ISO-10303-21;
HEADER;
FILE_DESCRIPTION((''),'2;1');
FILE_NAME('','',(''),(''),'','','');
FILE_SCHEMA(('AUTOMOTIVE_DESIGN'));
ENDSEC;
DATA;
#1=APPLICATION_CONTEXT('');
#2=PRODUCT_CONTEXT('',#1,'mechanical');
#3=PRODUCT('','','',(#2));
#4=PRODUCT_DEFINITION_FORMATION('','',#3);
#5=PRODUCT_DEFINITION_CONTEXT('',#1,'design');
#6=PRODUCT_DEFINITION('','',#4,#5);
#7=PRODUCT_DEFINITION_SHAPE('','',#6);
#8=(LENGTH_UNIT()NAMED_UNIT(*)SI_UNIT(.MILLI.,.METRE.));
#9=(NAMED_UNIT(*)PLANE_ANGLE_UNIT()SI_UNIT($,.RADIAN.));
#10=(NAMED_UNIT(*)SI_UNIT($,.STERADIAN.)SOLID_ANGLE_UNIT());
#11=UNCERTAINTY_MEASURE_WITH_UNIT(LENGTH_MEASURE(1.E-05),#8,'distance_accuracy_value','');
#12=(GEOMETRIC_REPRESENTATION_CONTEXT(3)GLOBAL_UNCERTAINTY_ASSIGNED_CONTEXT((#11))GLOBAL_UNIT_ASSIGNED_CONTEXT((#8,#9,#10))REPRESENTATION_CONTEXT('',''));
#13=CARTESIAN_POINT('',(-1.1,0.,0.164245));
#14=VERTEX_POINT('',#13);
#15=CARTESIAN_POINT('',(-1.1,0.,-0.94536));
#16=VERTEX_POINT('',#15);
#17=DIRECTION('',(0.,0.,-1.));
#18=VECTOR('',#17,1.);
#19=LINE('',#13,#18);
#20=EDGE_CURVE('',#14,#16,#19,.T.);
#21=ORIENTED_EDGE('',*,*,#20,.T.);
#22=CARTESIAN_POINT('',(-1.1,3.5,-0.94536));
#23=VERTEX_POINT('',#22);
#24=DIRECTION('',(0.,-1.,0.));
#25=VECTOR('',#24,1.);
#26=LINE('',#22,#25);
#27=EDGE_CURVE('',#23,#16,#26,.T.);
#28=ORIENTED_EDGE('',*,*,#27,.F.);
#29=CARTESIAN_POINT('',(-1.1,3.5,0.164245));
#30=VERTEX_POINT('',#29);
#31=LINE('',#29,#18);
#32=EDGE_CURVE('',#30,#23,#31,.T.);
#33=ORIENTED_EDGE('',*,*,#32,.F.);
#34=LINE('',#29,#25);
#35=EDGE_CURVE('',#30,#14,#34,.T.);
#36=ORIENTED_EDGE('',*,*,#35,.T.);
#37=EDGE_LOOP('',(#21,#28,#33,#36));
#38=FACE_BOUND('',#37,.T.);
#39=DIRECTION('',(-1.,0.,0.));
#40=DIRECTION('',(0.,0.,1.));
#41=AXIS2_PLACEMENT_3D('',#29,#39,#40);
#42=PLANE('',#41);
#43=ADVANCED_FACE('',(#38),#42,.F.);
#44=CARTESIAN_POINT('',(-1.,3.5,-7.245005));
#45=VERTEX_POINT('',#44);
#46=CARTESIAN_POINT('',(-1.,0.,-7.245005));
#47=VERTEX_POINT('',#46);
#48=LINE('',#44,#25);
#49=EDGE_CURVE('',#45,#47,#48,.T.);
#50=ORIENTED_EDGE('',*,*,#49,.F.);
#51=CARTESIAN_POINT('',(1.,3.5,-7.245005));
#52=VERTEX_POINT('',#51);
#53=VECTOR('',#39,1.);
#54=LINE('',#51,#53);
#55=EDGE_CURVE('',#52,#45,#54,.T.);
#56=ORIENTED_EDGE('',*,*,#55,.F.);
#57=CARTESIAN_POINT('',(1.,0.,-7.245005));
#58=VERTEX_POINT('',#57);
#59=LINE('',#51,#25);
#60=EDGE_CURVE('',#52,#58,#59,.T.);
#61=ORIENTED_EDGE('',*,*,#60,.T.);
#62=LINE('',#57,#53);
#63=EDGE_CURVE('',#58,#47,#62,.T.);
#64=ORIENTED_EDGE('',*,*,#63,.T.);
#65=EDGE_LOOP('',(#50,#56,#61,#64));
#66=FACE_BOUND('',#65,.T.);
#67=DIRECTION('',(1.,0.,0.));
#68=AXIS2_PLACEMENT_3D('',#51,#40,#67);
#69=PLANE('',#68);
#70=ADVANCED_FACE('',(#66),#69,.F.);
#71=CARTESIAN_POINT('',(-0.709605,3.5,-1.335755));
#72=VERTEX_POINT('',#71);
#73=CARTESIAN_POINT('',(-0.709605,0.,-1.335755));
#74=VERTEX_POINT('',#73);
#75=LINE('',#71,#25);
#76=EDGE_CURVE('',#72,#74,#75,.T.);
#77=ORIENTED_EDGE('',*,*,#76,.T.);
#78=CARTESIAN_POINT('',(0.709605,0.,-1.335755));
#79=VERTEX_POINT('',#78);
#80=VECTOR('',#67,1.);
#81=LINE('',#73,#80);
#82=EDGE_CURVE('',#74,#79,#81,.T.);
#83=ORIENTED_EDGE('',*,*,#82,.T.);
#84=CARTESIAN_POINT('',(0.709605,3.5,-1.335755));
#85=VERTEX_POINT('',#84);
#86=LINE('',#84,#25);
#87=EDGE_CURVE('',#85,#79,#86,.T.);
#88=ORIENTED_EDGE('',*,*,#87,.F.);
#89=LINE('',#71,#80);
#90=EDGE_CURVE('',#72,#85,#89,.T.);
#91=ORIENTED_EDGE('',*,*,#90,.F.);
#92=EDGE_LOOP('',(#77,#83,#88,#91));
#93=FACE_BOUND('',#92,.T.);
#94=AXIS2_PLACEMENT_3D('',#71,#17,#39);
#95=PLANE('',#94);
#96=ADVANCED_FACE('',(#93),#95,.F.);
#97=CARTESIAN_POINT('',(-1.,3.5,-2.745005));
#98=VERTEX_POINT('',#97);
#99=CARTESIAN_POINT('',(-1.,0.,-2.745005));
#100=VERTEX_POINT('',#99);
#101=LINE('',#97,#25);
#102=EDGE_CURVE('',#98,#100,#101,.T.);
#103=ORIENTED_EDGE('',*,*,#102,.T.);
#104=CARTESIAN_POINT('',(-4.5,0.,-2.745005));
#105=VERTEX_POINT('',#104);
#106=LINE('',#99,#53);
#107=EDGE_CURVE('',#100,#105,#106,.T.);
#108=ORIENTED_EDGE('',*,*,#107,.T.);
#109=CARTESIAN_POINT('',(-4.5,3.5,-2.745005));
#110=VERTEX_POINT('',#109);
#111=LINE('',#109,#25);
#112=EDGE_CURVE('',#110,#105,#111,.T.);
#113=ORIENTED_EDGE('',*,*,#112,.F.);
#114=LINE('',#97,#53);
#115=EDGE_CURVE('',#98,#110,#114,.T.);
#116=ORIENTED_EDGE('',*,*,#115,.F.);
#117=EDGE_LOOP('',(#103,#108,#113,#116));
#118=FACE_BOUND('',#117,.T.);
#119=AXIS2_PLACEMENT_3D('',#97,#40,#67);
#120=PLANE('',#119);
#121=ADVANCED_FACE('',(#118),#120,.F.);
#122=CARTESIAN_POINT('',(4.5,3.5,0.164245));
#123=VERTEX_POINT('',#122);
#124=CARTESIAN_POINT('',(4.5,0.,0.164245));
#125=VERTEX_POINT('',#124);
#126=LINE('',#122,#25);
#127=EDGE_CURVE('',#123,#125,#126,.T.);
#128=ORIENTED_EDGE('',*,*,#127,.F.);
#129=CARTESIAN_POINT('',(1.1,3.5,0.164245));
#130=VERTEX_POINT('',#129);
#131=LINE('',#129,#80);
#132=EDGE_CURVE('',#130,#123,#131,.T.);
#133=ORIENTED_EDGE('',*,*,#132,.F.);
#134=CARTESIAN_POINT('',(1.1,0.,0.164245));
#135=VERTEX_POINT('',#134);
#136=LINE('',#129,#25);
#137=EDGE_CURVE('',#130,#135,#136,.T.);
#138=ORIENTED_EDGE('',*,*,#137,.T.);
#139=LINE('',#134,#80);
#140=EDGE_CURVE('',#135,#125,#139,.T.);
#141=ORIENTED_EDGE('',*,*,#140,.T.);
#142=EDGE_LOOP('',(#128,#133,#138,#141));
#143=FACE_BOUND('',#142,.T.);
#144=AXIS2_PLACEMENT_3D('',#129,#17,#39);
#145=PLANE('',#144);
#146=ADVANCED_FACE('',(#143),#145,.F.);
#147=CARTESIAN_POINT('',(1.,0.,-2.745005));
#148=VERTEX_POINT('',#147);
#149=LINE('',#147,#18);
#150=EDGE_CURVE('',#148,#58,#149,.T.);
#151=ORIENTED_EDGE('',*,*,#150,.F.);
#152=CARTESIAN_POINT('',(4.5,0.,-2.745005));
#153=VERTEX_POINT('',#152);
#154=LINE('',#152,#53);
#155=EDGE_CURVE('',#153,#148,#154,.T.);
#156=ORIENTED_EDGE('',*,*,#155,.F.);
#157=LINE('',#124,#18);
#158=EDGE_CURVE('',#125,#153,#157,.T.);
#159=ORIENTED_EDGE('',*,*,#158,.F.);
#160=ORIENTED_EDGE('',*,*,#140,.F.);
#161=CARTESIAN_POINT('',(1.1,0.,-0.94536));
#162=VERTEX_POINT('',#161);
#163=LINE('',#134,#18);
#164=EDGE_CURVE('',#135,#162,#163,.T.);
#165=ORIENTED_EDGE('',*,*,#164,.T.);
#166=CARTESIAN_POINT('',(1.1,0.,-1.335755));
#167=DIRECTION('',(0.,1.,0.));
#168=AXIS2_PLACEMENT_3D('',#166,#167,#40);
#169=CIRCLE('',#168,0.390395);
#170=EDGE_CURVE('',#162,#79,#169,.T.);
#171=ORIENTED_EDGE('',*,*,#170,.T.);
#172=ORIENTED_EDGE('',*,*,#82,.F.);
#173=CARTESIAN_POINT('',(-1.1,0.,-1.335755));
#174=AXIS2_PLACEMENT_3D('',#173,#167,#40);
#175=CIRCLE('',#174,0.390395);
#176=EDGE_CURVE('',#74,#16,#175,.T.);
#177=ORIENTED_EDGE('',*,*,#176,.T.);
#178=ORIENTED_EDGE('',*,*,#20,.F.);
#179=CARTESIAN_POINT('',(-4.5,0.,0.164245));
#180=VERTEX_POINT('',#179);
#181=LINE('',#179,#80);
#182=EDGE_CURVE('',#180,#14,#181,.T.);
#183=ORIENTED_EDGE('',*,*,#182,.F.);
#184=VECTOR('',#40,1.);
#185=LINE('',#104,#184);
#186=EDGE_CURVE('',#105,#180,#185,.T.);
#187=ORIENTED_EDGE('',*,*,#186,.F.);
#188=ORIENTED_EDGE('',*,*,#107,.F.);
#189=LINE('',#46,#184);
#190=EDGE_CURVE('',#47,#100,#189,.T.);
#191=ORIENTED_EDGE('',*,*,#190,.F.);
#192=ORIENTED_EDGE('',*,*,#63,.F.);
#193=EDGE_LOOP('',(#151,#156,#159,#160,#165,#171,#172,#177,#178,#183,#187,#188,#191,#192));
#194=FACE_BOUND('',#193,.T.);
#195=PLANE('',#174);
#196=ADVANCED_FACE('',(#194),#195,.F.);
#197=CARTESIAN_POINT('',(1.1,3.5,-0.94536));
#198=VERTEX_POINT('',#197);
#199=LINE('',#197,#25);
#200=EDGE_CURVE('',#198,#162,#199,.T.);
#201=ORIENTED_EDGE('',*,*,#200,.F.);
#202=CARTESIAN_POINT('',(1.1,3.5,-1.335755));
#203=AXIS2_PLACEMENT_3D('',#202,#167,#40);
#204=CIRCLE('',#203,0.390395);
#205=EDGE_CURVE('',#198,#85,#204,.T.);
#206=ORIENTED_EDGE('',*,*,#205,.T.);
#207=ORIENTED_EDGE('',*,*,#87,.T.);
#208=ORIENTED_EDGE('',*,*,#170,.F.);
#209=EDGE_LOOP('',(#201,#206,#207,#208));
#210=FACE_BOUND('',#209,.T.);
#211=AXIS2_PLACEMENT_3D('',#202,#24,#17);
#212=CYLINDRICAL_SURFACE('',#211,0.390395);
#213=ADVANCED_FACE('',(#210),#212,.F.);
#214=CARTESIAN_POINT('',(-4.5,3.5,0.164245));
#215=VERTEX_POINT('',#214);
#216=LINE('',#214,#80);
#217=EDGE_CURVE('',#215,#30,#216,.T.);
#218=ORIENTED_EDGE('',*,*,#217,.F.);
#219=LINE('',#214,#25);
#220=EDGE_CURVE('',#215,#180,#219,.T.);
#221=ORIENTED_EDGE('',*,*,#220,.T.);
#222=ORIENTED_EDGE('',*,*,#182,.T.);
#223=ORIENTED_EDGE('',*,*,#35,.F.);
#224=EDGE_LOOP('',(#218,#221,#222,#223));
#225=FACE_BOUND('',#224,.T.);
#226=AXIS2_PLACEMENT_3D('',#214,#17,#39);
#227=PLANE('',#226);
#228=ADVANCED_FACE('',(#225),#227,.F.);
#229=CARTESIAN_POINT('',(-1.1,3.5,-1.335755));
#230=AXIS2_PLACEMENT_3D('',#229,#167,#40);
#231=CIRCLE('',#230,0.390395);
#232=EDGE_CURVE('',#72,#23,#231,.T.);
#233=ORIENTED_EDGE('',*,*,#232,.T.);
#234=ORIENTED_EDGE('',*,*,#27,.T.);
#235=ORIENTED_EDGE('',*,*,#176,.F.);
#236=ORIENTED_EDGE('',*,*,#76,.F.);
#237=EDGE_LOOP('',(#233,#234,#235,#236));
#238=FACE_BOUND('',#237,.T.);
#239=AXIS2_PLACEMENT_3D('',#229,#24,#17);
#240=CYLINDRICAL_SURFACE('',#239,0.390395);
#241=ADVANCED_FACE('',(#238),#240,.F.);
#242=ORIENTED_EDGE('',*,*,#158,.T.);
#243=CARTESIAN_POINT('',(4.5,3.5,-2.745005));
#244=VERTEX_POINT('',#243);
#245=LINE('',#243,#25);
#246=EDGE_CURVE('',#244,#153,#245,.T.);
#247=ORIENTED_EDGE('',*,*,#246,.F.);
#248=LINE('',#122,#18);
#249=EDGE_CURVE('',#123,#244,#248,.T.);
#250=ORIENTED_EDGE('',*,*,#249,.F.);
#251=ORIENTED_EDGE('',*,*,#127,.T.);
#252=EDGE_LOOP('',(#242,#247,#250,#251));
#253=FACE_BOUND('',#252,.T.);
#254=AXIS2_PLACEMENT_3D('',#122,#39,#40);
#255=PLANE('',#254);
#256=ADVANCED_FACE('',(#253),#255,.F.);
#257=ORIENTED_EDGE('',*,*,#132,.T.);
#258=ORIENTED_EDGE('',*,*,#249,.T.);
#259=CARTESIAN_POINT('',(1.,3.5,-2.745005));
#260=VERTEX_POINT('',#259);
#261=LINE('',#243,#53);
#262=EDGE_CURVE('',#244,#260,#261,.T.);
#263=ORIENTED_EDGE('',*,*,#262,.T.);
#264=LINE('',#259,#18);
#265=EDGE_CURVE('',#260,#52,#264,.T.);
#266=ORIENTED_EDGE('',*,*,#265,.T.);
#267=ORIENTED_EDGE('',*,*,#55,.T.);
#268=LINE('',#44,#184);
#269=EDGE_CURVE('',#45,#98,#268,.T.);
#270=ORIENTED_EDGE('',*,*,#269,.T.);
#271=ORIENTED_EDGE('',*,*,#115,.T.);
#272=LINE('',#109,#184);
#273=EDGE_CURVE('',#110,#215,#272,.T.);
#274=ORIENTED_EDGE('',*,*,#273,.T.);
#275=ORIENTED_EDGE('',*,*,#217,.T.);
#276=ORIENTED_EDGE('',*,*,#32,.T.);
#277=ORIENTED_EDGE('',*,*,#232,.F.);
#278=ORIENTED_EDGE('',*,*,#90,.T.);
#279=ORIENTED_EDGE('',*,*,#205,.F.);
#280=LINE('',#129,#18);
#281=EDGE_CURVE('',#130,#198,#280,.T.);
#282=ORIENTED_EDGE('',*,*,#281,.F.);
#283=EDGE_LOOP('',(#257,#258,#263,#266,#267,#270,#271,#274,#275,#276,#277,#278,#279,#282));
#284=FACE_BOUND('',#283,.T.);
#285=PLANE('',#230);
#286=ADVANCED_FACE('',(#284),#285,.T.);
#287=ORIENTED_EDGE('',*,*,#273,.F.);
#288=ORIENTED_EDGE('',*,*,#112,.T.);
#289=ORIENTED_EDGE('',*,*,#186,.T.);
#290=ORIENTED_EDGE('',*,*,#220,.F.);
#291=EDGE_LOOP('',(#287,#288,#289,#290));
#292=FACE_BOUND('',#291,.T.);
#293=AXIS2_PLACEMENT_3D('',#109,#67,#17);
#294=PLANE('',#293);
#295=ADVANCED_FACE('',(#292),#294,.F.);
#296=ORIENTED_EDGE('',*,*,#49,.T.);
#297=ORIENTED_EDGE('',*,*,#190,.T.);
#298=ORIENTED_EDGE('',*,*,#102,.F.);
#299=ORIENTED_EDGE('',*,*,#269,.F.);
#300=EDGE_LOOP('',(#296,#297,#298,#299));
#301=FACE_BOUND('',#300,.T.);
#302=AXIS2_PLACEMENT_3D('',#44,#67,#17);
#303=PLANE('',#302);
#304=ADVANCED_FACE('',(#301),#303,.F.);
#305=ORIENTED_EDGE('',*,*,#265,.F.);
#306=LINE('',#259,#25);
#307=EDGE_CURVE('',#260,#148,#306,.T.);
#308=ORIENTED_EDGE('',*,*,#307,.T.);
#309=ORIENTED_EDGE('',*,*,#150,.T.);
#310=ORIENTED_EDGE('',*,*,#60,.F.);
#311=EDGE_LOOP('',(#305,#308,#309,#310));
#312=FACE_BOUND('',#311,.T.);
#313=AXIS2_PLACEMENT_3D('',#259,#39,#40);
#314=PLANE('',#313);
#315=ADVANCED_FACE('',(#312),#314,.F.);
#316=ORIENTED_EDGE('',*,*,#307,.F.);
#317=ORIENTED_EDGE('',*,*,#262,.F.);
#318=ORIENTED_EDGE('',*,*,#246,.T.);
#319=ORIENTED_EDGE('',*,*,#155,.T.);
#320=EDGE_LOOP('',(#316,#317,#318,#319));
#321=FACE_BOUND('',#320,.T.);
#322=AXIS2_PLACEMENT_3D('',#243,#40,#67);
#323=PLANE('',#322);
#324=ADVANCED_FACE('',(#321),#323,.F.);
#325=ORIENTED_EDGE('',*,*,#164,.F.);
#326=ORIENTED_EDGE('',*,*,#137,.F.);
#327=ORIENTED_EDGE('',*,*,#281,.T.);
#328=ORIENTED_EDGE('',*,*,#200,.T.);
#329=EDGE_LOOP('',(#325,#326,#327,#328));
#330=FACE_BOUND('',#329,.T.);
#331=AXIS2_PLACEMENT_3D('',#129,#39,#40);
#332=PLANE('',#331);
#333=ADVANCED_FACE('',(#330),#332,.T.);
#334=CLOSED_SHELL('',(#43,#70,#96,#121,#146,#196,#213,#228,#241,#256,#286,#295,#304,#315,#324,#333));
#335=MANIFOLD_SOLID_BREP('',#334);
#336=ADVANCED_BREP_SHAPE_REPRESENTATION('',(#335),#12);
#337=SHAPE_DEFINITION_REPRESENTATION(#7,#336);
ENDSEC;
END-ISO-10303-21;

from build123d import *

# Parameters (mm, degrees)
BOSS_EXTRUDE1_DEPTH = 3.5


with BuildPart() as part:
    # Sketch1 → Boss-Extrude1 (new body)
    with BuildSketch(Plane(origin=(0, 0, 0), x_dir=(1, 0, 0), z_dir=(0, 1, 0))):
        with BuildLine():
            Line((-4.5, -0.16424544), (-1.1, -0.16424544))
            Line((-1.1, -0.16424544), (-1.1, 0.945359747))
            ThreePointArc((-1.1, 0.945359747), (-1.37605082, 1.61180538), (-0.709605187, 1.33575456))
            Line((-0.709605187, 1.33575456), (0.709605187, 1.33575456))
            ThreePointArc((0.709605187, 1.33575456), (1.37605082, 1.61180538), (1.1, 0.945359747))
            Line((1.1, 0.945359747), (1.1, -0.16424544))
            Line((1.1, -0.16424544), (4.5, -0.16424544))
            Line((4.5, -0.16424544), (4.5, 2.74500456))
            Line((4.5, 2.74500456), (1, 2.74500456))
            Line((1, 2.74500456), (1, 7.24500456))
            Line((1, 7.24500456), (-1, 7.24500456))
            Line((-1, 7.24500456), (-1, 2.74500456))
            Line((-1, 2.74500456), (-4.5, 2.74500456))
            Line((-4.5, 2.74500456), (-4.5, -0.16424544))
        make_face()
    extrude(amount=BOSS_EXTRUDE1_DEPTH)


solid = part.part
